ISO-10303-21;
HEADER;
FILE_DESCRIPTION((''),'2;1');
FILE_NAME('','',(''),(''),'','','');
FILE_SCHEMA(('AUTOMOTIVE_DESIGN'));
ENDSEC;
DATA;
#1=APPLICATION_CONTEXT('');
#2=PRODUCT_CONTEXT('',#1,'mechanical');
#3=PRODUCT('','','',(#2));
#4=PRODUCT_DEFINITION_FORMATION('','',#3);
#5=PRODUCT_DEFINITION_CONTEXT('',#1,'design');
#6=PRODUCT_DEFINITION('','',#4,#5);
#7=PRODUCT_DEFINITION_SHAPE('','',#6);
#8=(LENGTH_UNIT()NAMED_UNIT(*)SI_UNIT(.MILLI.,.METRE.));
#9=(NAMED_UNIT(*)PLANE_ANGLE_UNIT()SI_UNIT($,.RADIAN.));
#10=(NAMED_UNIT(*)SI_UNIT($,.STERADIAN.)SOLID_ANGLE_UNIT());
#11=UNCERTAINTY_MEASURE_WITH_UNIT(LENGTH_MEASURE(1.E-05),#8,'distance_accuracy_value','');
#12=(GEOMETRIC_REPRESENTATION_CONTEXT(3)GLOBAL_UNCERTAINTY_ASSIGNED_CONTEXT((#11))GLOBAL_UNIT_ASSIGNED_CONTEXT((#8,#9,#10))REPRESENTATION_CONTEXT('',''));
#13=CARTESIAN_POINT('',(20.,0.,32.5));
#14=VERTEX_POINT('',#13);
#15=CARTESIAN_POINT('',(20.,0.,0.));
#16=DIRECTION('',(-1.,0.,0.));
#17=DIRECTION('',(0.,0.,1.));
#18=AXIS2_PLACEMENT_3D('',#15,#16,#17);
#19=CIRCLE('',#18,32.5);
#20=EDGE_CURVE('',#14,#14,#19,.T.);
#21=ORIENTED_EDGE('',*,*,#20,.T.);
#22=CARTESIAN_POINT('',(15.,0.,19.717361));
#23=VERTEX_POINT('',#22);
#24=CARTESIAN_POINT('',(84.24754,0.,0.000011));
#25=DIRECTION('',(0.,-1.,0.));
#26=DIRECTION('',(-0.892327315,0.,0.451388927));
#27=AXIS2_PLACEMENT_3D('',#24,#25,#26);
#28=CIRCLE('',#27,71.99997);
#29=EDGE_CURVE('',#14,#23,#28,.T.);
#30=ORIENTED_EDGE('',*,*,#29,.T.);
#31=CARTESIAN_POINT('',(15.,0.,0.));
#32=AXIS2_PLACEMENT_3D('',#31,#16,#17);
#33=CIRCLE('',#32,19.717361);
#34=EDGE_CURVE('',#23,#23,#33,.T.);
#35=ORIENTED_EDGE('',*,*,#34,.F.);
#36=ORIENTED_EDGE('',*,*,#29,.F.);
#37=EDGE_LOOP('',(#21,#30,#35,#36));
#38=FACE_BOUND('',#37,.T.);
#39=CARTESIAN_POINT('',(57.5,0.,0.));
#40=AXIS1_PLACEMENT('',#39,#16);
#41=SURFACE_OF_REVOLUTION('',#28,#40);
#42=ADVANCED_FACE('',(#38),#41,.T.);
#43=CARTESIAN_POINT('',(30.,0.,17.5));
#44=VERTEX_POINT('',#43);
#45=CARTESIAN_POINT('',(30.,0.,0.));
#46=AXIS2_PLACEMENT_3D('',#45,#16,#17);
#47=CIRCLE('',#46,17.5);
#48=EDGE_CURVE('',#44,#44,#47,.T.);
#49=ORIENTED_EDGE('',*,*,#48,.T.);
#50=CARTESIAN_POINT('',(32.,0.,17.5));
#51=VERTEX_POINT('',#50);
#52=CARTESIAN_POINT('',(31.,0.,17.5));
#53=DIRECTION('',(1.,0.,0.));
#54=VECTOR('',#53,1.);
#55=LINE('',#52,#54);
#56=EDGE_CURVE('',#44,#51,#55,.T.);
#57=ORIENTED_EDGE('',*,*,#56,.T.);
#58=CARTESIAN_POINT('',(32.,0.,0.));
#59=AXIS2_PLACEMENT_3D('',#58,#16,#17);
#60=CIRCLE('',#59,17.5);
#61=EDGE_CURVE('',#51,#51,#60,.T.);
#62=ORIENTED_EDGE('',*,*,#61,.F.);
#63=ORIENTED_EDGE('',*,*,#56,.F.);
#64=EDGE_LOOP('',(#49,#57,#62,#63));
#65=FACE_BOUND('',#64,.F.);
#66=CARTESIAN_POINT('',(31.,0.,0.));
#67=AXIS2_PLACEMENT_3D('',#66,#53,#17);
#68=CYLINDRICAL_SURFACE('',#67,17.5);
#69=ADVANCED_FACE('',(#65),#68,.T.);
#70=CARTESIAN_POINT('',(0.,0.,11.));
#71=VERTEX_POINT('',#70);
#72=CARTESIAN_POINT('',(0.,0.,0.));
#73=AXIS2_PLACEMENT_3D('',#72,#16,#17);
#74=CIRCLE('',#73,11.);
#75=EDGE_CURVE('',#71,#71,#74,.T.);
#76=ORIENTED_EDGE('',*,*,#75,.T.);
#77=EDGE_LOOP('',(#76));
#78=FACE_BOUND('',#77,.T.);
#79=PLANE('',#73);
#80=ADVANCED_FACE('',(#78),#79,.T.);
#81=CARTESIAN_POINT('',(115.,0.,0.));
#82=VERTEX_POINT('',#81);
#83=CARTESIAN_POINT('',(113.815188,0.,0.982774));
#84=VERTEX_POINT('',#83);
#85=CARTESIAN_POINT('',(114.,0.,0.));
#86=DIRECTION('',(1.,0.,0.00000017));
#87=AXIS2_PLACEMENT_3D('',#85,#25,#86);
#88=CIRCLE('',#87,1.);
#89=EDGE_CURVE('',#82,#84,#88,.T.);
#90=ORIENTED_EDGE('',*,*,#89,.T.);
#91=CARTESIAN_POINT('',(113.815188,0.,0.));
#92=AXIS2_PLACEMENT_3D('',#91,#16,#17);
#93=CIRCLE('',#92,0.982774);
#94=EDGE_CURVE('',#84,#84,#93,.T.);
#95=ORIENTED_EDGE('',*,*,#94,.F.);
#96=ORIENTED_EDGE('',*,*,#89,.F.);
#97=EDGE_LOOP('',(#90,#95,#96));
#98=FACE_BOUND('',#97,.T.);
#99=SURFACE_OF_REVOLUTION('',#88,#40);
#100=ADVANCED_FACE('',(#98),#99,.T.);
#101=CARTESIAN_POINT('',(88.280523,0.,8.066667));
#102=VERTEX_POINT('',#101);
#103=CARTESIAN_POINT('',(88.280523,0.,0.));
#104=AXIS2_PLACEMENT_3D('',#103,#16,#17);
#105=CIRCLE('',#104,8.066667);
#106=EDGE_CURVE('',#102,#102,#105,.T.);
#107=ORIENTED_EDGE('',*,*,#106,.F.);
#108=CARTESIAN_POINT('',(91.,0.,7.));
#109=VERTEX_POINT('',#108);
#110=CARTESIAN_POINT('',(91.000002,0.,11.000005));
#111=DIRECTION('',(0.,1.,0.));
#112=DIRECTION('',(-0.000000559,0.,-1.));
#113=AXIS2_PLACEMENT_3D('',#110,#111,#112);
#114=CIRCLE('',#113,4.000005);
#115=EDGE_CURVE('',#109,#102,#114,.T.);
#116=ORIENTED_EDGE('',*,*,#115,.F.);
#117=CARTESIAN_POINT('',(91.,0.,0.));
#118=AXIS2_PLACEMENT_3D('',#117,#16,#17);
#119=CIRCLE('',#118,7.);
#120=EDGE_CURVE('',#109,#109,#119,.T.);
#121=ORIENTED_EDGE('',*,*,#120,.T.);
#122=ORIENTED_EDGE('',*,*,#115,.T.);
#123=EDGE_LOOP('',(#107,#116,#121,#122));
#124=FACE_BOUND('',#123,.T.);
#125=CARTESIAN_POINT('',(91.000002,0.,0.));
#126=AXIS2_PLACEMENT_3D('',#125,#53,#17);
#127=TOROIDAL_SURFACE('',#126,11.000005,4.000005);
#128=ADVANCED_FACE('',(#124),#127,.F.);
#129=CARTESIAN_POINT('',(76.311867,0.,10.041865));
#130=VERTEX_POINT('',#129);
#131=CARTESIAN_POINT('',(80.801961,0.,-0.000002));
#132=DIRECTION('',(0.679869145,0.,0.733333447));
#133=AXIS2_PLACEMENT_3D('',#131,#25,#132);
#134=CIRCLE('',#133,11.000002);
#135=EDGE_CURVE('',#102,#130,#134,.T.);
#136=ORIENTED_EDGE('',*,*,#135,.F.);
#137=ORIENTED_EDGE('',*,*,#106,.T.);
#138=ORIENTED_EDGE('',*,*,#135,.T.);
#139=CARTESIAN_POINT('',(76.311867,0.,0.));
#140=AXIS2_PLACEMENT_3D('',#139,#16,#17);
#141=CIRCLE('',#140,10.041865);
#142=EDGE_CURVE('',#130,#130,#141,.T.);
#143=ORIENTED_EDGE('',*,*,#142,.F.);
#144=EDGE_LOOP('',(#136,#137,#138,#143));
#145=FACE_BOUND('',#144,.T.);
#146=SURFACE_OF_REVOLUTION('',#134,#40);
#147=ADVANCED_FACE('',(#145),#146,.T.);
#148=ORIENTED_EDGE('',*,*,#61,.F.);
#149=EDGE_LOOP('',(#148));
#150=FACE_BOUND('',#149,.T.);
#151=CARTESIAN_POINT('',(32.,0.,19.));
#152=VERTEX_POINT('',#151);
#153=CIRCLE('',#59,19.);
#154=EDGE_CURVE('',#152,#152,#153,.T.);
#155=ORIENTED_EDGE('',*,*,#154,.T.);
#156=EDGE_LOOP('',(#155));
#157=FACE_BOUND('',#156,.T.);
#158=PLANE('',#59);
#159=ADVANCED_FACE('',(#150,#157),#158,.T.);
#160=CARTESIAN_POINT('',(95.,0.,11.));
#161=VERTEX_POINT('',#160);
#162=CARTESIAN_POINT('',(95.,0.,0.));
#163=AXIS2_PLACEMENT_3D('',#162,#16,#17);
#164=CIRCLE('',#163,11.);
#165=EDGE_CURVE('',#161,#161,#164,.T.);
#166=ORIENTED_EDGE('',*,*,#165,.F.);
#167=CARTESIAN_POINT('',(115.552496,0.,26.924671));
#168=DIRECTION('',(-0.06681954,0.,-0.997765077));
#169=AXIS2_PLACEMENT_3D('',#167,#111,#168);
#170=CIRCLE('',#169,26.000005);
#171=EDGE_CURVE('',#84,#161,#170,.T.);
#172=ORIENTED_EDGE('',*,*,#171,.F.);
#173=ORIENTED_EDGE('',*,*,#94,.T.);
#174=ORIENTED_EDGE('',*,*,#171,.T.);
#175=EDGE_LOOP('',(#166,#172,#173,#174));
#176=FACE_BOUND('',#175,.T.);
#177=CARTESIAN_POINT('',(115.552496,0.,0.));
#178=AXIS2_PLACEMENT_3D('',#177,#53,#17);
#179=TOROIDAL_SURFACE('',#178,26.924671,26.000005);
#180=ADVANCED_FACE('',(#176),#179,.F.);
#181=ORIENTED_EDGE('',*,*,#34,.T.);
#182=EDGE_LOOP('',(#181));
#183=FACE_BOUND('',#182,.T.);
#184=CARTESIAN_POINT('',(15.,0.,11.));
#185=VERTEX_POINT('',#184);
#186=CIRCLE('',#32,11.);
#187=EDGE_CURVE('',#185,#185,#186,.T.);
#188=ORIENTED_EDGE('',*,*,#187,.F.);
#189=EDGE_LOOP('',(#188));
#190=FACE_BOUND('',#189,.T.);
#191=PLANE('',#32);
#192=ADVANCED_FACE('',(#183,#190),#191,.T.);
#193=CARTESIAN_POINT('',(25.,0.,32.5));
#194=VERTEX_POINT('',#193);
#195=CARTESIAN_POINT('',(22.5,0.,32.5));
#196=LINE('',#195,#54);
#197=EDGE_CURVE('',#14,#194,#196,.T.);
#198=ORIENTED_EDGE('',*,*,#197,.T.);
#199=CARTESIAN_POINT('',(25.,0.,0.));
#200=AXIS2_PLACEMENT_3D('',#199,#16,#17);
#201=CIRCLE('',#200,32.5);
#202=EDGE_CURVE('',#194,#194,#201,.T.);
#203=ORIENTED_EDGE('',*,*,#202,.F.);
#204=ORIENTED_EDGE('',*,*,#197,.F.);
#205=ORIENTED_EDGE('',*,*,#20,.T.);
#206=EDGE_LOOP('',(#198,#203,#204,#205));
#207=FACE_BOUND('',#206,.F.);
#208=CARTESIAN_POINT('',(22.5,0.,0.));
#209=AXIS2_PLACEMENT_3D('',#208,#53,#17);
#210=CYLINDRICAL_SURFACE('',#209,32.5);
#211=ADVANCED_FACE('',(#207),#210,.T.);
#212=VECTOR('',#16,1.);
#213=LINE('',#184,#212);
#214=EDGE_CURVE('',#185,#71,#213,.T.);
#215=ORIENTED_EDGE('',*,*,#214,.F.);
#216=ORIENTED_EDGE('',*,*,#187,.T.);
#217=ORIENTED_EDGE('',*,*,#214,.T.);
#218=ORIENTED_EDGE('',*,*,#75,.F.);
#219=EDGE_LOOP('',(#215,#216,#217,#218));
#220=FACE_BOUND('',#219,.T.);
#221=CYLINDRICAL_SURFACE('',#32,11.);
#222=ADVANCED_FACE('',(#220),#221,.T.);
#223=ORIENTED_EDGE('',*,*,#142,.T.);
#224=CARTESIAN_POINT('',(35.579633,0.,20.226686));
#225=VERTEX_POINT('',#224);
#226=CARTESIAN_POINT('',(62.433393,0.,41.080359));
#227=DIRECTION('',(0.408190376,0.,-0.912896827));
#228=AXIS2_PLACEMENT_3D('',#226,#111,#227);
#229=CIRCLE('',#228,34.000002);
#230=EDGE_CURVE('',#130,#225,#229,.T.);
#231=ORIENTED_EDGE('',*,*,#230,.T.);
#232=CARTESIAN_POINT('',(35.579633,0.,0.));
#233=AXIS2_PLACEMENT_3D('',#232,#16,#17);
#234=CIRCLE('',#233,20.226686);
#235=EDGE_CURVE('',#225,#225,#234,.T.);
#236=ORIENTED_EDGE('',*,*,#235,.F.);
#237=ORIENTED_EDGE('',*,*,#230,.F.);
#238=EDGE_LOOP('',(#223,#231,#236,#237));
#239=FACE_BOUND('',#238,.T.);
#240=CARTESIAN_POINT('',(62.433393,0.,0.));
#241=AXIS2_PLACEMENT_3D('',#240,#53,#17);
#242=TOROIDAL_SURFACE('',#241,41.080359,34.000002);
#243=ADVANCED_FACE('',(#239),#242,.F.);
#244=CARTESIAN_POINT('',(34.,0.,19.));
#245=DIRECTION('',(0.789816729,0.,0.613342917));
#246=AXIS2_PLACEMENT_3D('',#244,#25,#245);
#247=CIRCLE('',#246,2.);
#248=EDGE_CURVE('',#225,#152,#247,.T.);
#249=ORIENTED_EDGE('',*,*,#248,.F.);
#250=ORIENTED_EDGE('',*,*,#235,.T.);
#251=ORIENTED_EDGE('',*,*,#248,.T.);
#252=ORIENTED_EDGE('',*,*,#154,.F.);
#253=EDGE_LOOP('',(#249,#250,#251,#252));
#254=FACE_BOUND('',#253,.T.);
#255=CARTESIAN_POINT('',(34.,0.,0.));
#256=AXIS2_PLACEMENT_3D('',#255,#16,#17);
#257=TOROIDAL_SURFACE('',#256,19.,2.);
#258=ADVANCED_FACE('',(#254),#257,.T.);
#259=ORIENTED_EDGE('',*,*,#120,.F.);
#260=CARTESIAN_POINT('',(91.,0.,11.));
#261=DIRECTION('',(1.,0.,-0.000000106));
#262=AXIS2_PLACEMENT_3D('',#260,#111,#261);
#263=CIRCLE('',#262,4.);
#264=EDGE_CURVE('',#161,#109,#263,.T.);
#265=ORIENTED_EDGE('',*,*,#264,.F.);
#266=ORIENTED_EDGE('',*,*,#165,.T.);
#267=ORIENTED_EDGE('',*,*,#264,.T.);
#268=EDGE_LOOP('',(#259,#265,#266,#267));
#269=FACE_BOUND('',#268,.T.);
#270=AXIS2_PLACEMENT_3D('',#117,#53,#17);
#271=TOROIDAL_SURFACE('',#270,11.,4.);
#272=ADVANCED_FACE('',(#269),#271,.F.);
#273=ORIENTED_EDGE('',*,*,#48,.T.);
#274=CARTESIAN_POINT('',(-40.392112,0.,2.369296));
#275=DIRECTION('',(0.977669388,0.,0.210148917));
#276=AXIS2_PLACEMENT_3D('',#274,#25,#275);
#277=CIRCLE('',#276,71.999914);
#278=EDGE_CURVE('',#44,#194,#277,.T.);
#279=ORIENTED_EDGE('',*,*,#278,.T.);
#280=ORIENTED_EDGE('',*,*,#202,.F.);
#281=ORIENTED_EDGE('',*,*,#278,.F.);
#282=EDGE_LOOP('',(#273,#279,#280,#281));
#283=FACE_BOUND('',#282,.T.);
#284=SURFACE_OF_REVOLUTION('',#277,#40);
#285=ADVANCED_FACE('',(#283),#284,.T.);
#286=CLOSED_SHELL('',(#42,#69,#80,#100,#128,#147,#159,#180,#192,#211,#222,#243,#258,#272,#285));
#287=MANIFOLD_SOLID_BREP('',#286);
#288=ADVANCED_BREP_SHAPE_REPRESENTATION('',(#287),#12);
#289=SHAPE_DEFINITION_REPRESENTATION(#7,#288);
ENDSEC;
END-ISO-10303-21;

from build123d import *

# Parameters (mm, degrees)
F0_W   = 5
F0_H   = 32.5
F0_W_2 = 2
F0_H_2 = 17.5


with BuildPart() as f1:
    # F0 (on Front) → F1 (revolve)
    with BuildSketch(Plane.XZ):
        with BuildLine():
            Line((15, 11), (0, 11))
            Line((0, 11), (0, 0))
            Line((0, 0), (20, 0))
            Line((20, 0), (20, 32.5))
            ThreePointArc((20, 32.5), (17.194702, 26.228099), (15, 19.717361))
            Line((15, 19.717361), (15, 11))
        make_face()
        with Locations((22.5, 16.25)):
            Rectangle(F0_W, F0_H)
        with BuildLine():
            Line((25, 32.5), (25, 0))
            Line((25, 0), (30, 0))
            Line((30, 0), (30, 17.5))
            ThreePointArc((30, 17.5), (27.913004, 25.137668), (25, 32.5))
        make_face()
        with Locations((31, 8.75)):
            Rectangle(F0_W_2, F0_H_2)
        with BuildLine():
            Line((32, 17.5), (32, 0))
            Line((32, 0), (95, 0))
            Line((95, 0), (95, 11))
            ThreePointArc((95, 11), (93.828427, 8.171573), (91, 7))
            ThreePointArc((91, 7), (89.539407, 7.276203), (88.280523, 8.066667))
            ThreePointArc((88.280523, 8.066667), (82.593074, 10.853198), (76.311867, 10.041865))
            ThreePointArc((76.311867, 10.041865), (54.185838, 8.095848), (35.579633, 20.226686))
            ThreePointArc((35.579633, 20.226686), (33.351643, 20.891992), (32, 19))
            Line((32, 19), (32, 17.5))
        make_face()
        with BuildLine():
            Line((95, 11), (95, 0))
            Line((95, 0), (115, 0))
            ThreePointArc((115, 0), (114.638431, 0.769679), (113.815188, 0.982774))
            ThreePointArc((113.815188, 0.982774), (103.333861, 3.974612), (95, 11))
        make_face()
    revolve(axis=Axis((57.5, 0, 0), (-1, 0, 0)))


solid = f1.part
